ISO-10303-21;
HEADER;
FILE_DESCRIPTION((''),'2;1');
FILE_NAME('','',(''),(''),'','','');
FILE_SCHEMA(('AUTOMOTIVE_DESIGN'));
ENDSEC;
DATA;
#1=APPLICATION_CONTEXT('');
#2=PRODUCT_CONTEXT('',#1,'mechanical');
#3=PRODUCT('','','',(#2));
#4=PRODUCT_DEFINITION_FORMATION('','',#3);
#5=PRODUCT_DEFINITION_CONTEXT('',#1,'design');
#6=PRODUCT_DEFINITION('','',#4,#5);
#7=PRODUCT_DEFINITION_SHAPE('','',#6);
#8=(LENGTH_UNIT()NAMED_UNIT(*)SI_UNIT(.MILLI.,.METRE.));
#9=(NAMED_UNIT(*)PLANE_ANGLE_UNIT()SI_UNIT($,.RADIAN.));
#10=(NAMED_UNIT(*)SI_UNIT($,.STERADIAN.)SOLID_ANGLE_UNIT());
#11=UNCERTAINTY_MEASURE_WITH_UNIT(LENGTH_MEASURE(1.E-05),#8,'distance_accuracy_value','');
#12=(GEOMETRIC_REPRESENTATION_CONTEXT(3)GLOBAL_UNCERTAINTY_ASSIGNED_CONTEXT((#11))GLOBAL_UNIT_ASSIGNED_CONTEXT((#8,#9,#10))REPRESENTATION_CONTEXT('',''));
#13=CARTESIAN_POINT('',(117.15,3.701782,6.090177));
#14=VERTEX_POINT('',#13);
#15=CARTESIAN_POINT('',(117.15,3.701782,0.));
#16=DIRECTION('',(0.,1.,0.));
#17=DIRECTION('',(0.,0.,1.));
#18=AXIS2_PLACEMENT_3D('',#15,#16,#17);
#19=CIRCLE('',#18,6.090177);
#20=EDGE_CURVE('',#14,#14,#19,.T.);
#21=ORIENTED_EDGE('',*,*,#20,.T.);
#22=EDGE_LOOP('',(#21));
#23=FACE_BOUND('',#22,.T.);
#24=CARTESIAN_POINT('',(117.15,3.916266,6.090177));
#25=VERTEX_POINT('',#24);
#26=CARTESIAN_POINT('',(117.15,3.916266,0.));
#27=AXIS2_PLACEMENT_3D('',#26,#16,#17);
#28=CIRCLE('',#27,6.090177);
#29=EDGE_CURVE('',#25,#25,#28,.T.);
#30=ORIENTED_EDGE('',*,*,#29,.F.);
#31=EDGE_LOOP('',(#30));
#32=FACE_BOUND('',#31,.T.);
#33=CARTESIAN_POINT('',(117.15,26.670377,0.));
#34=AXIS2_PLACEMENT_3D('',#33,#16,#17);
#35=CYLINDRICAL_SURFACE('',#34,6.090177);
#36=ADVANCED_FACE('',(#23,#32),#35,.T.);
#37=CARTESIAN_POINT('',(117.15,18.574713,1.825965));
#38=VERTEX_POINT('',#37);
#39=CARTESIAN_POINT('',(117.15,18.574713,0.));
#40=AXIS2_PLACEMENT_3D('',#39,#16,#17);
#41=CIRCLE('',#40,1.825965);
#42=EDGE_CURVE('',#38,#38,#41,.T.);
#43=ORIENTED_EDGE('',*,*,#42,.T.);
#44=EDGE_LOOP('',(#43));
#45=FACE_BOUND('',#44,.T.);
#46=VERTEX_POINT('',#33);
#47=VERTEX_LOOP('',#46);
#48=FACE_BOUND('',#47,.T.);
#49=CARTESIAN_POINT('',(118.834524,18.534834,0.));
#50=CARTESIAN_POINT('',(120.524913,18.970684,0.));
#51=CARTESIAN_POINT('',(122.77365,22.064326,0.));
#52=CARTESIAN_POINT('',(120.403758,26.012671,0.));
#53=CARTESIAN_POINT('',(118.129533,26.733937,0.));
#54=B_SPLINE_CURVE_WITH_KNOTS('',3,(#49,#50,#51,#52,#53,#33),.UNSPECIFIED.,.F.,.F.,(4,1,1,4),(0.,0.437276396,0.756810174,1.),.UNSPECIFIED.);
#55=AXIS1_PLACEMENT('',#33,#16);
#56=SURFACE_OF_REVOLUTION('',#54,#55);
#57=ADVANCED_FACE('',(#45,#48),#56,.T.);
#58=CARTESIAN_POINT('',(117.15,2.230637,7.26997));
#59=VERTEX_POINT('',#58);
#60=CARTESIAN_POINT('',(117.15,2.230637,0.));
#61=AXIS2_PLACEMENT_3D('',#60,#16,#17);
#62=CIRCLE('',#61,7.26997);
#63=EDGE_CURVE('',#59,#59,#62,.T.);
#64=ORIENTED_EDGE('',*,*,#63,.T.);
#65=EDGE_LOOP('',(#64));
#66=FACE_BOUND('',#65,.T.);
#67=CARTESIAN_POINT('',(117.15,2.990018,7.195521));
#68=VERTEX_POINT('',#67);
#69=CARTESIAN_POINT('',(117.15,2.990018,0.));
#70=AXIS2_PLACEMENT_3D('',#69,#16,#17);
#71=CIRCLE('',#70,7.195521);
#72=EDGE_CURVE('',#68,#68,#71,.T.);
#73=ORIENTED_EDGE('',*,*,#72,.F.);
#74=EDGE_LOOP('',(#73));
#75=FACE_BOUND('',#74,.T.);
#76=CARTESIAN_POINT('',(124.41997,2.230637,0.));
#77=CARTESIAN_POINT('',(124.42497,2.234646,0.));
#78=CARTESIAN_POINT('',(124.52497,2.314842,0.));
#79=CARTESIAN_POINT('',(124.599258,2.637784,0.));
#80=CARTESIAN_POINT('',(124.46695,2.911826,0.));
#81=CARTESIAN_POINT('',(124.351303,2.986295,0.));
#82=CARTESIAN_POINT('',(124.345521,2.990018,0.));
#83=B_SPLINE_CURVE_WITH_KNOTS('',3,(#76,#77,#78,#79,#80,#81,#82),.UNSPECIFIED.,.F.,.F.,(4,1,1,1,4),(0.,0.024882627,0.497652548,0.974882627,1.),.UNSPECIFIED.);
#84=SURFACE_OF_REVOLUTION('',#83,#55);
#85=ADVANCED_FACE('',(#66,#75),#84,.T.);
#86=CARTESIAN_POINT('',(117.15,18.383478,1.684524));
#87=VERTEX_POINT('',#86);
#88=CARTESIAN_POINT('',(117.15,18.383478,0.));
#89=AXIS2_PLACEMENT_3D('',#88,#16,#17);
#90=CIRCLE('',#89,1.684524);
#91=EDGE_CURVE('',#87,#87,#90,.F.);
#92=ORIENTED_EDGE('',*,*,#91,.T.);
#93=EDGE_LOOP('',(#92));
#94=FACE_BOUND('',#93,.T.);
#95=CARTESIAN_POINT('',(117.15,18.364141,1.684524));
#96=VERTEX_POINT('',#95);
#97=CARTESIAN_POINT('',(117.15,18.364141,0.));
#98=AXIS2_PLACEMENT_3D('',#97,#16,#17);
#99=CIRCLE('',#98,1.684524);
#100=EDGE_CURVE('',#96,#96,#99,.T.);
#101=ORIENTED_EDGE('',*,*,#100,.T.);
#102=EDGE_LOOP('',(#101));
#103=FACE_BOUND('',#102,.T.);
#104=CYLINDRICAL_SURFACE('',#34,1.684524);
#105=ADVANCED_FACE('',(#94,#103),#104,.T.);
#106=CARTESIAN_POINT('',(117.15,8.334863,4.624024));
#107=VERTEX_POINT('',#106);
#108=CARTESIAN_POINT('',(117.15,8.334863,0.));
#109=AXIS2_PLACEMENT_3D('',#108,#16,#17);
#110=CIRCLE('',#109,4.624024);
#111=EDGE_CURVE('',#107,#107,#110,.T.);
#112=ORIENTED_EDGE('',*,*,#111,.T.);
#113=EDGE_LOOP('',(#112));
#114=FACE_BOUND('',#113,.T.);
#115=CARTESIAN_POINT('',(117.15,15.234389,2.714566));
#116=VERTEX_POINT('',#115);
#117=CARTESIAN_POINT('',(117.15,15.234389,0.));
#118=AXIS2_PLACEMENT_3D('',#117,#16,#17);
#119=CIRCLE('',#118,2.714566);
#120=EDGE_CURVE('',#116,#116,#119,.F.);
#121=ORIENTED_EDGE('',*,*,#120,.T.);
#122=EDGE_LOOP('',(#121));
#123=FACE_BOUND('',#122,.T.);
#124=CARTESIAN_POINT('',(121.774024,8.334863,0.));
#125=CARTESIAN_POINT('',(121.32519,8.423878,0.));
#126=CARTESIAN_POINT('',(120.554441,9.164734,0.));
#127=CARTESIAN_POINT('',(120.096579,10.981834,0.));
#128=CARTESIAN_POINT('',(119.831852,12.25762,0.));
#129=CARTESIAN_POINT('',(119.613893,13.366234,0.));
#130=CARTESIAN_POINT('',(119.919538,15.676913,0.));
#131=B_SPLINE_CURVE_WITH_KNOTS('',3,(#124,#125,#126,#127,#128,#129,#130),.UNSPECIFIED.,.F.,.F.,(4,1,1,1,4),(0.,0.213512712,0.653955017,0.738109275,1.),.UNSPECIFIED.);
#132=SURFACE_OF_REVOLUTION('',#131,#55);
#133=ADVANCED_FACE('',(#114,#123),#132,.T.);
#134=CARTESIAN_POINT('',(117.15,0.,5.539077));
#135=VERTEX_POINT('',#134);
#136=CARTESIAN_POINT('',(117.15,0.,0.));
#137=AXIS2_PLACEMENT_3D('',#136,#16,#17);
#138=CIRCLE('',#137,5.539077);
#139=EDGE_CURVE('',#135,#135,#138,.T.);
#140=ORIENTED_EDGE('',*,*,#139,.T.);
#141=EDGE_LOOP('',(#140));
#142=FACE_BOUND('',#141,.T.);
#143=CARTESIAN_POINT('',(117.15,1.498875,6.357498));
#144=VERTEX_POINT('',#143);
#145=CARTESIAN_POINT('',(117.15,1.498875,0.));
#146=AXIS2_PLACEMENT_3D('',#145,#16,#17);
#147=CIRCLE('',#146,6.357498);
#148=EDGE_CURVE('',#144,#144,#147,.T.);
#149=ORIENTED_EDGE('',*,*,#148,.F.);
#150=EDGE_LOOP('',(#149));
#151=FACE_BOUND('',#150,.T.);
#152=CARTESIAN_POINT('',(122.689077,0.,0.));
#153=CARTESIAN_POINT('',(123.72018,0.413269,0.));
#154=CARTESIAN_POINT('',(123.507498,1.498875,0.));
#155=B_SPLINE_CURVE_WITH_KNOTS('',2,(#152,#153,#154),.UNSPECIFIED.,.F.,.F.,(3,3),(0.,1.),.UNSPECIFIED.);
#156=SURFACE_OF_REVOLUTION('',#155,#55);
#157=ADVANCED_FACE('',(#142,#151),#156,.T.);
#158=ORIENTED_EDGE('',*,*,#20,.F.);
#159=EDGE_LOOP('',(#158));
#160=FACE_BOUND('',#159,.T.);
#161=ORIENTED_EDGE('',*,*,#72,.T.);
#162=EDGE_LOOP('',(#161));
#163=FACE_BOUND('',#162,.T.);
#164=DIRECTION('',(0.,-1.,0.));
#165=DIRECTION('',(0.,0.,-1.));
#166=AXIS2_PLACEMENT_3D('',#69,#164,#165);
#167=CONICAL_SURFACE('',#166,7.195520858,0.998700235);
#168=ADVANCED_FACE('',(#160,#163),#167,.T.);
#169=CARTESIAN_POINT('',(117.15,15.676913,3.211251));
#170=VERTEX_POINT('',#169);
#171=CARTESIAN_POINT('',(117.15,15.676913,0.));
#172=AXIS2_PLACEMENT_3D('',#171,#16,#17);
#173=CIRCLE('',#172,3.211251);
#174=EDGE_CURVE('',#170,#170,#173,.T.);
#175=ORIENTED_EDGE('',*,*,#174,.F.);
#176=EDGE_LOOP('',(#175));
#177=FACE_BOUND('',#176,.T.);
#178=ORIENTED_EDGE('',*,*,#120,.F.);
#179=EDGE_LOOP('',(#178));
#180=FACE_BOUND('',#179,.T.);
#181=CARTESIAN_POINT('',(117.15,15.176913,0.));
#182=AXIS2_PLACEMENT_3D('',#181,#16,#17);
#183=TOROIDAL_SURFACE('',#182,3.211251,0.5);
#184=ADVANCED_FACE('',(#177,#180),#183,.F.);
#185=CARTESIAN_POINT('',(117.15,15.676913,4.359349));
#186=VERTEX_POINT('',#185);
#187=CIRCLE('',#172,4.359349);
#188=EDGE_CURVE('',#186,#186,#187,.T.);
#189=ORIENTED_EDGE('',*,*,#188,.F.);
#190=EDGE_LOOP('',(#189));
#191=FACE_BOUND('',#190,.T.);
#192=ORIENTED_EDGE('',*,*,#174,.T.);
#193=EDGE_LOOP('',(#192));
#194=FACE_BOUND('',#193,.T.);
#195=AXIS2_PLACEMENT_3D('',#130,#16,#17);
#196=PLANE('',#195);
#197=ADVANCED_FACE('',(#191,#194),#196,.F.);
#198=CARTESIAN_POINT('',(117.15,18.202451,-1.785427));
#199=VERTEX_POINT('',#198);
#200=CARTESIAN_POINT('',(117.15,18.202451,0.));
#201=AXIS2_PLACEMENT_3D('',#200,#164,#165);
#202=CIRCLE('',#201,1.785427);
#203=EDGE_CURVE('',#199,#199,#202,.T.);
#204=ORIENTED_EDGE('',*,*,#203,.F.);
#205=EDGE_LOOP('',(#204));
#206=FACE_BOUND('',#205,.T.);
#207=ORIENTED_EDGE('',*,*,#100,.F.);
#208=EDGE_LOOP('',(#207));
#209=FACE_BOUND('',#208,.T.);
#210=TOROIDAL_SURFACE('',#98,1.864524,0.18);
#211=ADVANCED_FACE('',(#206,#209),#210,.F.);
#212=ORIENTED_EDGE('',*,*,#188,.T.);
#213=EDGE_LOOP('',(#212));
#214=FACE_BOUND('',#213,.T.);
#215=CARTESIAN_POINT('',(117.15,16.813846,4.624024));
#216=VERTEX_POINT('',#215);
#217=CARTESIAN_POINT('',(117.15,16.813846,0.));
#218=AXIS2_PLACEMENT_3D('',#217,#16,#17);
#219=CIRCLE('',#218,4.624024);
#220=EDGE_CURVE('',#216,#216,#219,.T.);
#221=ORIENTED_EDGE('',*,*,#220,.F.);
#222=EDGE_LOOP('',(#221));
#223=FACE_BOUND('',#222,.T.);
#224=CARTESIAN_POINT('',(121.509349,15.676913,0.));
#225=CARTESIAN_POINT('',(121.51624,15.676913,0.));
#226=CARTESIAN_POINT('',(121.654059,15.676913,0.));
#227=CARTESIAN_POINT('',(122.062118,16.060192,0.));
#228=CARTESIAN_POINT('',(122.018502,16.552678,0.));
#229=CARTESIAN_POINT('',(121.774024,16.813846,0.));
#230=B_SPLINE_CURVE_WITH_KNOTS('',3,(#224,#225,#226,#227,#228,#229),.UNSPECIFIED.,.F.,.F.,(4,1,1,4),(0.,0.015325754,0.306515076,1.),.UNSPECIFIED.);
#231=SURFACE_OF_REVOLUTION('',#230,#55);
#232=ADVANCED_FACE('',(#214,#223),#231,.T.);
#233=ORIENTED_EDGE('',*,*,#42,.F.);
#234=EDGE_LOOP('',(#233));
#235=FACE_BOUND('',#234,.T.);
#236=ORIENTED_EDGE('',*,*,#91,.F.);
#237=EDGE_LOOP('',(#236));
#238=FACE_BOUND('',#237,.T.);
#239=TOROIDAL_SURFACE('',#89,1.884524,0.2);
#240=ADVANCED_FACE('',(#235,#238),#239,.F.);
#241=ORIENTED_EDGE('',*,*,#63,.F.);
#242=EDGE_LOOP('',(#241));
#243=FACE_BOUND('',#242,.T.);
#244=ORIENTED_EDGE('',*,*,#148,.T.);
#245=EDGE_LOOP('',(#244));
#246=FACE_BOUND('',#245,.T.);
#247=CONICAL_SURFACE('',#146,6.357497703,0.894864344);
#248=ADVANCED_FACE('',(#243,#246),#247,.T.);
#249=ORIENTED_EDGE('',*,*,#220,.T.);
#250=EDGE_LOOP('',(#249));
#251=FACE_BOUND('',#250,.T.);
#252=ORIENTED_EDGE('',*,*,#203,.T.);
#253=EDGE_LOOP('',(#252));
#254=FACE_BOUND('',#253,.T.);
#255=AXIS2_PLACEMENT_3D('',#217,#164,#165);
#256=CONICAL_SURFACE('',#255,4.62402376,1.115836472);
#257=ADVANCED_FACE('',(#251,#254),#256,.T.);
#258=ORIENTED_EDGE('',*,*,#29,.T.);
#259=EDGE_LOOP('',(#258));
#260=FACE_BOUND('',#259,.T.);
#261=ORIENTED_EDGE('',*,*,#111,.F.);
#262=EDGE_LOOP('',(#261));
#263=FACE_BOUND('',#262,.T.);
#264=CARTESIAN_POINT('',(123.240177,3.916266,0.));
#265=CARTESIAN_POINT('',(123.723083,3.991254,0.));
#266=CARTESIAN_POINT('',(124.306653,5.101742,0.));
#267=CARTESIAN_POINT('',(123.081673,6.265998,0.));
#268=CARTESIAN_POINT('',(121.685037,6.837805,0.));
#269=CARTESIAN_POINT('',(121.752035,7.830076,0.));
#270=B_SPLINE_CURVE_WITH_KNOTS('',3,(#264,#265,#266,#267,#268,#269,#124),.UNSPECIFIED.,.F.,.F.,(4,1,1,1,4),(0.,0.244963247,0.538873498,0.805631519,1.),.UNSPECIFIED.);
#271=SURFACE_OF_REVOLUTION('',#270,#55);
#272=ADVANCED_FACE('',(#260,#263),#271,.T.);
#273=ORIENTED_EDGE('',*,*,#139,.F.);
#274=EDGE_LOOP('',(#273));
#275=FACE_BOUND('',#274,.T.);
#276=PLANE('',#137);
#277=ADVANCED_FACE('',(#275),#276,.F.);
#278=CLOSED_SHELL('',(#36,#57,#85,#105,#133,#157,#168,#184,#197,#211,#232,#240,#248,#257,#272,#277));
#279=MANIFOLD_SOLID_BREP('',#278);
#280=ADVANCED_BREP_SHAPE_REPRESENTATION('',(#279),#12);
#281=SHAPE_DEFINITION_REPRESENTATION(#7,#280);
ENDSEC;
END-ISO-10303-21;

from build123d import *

# Parameters (mm, degrees)
CONG_1_R = 0.2
CONG_2_R = 0.5
CONG_3_R = 0.18


with BuildPart() as part:
    # Esquisse1 → Révolution1 (revolve)
    with BuildSketch(Plane.XY, mode=Mode.PRIVATE) as r_volution1_sk:
        with BuildLine():
            Line((117.15, 0), (122.689076716, 0))
            add(Edge.make_bspline(
                [(122.689076716, 0), (123.720180188, 0.413269006), (123.507497703, 1.498874753)],
                knots=[0, 0, 0, 1, 1, 1], degree=2))
            Line((123.507497703, 1.498874753), (124.41997005, 2.230636669))
            add(Edge.make_bspline(
                [(124.41997005, 2.230636669), (124.424970044, 2.23464644), (124.524969931, 2.314841866), (124.599258114, 2.637784093), (124.466950359, 2.911826353), (124.351303215, 2.986294994), (124.345520858, 2.990018426)],
                knots=[0, 0, 0, 0, 0.024882627, 0.497652548, 0.974882627, 1, 1, 1, 1], degree=3))
            Line((124.345520858, 2.990018426), (123.240177492, 3.701781943))
            Line((123.240177492, 3.701781943), (123.240177492, 3.916266358))
            add(Edge.make_bspline(
                [(123.240177492, 3.916266358), (123.723083146, 3.991253669), (124.306653388, 5.101742284), (123.081672795, 6.265997879), (121.685037398, 6.837804693), (121.752034726, 7.830076406), (121.77402376, 8.334862529)],
                knots=[0, 0, 0, 0, 0.244963247, 0.538873498, 0.805631519, 1, 1, 1, 1], degree=3))
            add(Edge.make_bspline(
                [(121.77402376, 8.334862529), (121.325189709, 8.42387781), (120.554441223, 9.164733704), (120.0965785, 10.981834086), (119.831852035, 12.257619942), (119.61389338, 13.366234277), (119.919538358, 15.676913328)],
                knots=[0, 0, 0, 0, 0.213512712, 0.653955017, 0.738109275, 1, 1, 1, 1], degree=3))
            Line((119.919538358, 15.676913328), (121.509349383, 15.676913328))
            add(Edge.make_bspline(
                [(121.509349383, 15.676913328), (121.516240301, 15.676913328), (121.654058656, 15.676913328), (122.062118222, 16.060192072), (122.018502114, 16.552678442), (121.77402376, 16.813845947)],
                knots=[0, 0, 0, 0, 0.015325754, 0.306515076, 1, 1, 1, 1], degree=3))
            Line((121.77402376, 16.813845947), (118.834523645, 18.251811206))
            Line((118.834523645, 18.251811206), (118.834523645, 18.534833536))
            add(Edge.make_bspline(
                [(118.834523645, 18.534833536), (120.524912645, 18.970684443), (122.773650121, 22.064326319), (120.403758441, 26.012670992), (118.129533272, 26.733937399), (117.15, 26.670376928)],
                knots=[0, 0, 0, 0, 0.437276396, 0.756810174, 1, 1, 1, 1], degree=3))
            Line((117.15, 26.670376928), (117.15, 0))
        make_face()
    revolve(r_volution1_sk.sketch.rotate(Axis((117.15, 26.670376928, 0), (0, -1, 0)), 90), axis=Axis((117.15, 26.670376928, 0), (0, -1, 0)))

    # Congé1
    cong_1_edges = [part.edges().sort_by_distance(p)[0] for p in [
        (117.15, 18.534833536, -1.684523645),
    ]]
    fillet(cong_1_edges, radius=CONG_1_R)

    # Congé2
    cong_2_edges = [part.edges().sort_by_distance(p)[0] for p in [
        (117.15, 15.676913328, -2.769538358),
    ]]
    fillet(cong_2_edges, radius=CONG_2_R)

    # Congé3
    cong_3_edges = [part.edges().sort_by_distance(p)[0] for p in [
        (117.15, 18.251811206, -1.684523645),
    ]]
    fillet(cong_3_edges, radius=CONG_3_R)


solid = part.part
